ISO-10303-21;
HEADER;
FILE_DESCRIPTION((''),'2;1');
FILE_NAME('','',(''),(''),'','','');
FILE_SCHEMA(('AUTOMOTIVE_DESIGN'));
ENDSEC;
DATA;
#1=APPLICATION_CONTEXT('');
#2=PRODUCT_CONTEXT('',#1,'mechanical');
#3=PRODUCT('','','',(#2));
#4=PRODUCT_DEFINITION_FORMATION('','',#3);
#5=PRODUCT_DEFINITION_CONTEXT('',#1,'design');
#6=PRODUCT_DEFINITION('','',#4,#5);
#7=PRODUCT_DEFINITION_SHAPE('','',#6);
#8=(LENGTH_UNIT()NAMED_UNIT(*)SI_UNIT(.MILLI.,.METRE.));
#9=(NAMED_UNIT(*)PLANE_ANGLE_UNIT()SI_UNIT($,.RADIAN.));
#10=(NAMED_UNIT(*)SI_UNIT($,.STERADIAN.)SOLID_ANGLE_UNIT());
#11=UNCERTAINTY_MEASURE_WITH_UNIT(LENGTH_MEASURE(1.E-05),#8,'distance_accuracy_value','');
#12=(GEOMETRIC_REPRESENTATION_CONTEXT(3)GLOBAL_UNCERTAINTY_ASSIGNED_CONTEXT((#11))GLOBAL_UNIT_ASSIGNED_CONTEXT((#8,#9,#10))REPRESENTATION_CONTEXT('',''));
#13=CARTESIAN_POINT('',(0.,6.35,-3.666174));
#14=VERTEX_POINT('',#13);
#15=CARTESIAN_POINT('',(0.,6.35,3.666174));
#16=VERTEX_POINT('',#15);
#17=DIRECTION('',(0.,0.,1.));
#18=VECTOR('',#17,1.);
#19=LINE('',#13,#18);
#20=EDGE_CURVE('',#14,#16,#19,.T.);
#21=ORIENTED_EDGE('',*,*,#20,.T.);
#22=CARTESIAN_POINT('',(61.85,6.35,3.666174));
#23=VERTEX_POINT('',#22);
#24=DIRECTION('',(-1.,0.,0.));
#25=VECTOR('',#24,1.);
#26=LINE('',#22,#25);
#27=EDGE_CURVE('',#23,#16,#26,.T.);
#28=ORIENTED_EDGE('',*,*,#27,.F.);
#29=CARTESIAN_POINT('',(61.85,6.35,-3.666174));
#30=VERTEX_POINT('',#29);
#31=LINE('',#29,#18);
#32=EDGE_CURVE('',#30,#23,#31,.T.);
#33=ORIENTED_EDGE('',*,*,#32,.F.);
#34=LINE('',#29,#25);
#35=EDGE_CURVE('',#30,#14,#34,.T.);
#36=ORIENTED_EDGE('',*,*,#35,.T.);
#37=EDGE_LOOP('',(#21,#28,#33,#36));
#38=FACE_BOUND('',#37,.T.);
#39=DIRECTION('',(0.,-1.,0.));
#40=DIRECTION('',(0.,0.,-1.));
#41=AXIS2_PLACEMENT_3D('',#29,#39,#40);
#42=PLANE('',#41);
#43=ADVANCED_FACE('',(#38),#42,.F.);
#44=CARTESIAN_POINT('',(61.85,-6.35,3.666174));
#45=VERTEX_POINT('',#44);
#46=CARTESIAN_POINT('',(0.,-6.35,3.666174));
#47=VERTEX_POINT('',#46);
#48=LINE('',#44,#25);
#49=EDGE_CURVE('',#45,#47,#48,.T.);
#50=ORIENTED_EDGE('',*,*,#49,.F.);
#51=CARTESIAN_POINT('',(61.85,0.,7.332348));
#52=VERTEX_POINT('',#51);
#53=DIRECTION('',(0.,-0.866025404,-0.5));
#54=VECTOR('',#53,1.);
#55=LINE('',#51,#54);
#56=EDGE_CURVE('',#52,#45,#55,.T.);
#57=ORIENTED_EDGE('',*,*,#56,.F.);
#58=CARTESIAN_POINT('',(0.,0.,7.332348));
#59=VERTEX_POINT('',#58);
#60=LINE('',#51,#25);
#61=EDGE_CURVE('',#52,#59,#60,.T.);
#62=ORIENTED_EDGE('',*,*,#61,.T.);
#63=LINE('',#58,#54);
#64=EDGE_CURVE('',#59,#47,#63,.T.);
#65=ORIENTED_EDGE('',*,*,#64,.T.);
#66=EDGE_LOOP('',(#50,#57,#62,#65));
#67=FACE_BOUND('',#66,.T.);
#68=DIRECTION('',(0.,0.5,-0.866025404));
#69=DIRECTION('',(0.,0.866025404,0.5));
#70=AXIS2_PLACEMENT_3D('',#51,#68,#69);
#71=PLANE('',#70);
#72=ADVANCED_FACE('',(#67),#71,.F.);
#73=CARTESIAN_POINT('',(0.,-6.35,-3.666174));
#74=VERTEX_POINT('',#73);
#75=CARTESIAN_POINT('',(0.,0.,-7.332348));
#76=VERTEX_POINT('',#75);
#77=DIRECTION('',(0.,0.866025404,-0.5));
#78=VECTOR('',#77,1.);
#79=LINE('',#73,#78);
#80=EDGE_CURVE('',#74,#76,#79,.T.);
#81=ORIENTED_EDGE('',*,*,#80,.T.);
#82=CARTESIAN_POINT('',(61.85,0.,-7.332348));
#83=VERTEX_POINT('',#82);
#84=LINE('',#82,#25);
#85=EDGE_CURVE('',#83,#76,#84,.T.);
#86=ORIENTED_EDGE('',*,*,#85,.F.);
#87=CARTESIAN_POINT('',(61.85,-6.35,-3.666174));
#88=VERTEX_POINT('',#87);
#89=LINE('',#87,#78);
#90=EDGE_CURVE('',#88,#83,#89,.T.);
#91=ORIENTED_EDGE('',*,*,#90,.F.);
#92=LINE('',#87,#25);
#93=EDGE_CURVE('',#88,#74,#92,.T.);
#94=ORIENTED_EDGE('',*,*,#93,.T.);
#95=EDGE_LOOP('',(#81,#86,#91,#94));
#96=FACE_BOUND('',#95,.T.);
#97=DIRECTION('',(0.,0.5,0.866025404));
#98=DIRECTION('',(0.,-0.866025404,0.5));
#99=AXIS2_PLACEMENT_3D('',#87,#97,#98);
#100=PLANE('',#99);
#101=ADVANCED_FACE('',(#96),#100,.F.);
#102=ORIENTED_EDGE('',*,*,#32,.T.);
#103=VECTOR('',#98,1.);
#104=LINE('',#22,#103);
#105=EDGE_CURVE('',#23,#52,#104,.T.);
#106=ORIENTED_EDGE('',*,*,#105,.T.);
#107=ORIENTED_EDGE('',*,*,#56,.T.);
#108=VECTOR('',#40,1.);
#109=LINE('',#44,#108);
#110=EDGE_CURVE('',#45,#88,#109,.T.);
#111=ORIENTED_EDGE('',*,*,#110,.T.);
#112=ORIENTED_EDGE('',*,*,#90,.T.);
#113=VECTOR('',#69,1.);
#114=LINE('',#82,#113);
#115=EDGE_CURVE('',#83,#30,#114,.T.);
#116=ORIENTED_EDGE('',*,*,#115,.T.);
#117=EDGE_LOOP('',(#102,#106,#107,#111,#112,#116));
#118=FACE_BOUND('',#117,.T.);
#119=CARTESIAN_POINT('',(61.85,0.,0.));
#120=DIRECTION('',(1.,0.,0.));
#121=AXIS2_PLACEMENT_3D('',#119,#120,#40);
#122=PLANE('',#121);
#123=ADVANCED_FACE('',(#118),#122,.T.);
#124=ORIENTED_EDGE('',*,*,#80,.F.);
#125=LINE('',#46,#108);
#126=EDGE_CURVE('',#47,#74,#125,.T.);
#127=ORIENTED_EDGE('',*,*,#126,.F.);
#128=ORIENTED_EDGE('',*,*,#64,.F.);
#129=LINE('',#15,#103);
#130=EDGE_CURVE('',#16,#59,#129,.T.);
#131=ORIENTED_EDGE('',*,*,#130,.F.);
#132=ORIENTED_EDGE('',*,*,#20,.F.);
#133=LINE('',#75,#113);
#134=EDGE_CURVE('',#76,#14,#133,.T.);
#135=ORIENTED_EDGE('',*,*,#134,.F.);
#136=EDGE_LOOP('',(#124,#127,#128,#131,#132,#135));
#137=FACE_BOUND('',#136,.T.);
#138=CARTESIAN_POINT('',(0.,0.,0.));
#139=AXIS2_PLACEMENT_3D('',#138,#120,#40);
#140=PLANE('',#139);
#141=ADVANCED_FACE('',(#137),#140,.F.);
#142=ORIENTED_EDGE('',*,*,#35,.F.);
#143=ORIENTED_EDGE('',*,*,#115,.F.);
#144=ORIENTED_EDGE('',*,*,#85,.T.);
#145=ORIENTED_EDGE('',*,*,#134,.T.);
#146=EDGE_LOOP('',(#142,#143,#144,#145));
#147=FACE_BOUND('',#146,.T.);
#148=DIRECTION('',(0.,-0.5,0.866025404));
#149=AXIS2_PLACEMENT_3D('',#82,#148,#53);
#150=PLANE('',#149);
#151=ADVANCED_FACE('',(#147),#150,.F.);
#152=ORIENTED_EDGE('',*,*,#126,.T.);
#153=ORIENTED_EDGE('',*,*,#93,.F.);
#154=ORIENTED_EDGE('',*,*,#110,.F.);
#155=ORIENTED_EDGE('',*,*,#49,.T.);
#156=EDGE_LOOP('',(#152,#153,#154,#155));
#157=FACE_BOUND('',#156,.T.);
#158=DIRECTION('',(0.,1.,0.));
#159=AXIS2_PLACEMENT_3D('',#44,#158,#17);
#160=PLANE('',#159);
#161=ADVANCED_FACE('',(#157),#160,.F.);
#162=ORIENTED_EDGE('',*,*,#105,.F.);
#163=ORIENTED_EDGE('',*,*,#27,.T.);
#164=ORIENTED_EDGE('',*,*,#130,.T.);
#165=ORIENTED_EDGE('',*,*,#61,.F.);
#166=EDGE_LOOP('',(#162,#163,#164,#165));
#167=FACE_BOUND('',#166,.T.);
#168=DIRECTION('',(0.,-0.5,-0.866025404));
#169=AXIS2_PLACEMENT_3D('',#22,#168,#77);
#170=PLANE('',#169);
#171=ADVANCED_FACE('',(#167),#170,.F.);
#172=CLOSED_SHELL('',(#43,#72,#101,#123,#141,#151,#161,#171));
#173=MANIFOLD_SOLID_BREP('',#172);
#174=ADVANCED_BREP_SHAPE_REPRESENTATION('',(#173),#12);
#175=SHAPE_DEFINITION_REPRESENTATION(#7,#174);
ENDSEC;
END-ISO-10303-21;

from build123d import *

# Parameters (mm, degrees)
BOSS_EXTRUDE1_DEPTH = 61.85


with BuildPart() as part:
    # Sketch1 → Boss-Extrude1 (new body)
    with BuildSketch(Plane(origin=(0, 0, 0), x_dir=(0, 0, -1), z_dir=(1, 0, 0))):
        Polygon((7.332348419, 0), (3.666174209, 6.35), (-3.666174209, 6.35), (-7.332348419, 0), (-3.666174209, -6.35), (3.666174209, -6.35), align=None)
    extrude(amount=BOSS_EXTRUDE1_DEPTH)


solid = part.part
